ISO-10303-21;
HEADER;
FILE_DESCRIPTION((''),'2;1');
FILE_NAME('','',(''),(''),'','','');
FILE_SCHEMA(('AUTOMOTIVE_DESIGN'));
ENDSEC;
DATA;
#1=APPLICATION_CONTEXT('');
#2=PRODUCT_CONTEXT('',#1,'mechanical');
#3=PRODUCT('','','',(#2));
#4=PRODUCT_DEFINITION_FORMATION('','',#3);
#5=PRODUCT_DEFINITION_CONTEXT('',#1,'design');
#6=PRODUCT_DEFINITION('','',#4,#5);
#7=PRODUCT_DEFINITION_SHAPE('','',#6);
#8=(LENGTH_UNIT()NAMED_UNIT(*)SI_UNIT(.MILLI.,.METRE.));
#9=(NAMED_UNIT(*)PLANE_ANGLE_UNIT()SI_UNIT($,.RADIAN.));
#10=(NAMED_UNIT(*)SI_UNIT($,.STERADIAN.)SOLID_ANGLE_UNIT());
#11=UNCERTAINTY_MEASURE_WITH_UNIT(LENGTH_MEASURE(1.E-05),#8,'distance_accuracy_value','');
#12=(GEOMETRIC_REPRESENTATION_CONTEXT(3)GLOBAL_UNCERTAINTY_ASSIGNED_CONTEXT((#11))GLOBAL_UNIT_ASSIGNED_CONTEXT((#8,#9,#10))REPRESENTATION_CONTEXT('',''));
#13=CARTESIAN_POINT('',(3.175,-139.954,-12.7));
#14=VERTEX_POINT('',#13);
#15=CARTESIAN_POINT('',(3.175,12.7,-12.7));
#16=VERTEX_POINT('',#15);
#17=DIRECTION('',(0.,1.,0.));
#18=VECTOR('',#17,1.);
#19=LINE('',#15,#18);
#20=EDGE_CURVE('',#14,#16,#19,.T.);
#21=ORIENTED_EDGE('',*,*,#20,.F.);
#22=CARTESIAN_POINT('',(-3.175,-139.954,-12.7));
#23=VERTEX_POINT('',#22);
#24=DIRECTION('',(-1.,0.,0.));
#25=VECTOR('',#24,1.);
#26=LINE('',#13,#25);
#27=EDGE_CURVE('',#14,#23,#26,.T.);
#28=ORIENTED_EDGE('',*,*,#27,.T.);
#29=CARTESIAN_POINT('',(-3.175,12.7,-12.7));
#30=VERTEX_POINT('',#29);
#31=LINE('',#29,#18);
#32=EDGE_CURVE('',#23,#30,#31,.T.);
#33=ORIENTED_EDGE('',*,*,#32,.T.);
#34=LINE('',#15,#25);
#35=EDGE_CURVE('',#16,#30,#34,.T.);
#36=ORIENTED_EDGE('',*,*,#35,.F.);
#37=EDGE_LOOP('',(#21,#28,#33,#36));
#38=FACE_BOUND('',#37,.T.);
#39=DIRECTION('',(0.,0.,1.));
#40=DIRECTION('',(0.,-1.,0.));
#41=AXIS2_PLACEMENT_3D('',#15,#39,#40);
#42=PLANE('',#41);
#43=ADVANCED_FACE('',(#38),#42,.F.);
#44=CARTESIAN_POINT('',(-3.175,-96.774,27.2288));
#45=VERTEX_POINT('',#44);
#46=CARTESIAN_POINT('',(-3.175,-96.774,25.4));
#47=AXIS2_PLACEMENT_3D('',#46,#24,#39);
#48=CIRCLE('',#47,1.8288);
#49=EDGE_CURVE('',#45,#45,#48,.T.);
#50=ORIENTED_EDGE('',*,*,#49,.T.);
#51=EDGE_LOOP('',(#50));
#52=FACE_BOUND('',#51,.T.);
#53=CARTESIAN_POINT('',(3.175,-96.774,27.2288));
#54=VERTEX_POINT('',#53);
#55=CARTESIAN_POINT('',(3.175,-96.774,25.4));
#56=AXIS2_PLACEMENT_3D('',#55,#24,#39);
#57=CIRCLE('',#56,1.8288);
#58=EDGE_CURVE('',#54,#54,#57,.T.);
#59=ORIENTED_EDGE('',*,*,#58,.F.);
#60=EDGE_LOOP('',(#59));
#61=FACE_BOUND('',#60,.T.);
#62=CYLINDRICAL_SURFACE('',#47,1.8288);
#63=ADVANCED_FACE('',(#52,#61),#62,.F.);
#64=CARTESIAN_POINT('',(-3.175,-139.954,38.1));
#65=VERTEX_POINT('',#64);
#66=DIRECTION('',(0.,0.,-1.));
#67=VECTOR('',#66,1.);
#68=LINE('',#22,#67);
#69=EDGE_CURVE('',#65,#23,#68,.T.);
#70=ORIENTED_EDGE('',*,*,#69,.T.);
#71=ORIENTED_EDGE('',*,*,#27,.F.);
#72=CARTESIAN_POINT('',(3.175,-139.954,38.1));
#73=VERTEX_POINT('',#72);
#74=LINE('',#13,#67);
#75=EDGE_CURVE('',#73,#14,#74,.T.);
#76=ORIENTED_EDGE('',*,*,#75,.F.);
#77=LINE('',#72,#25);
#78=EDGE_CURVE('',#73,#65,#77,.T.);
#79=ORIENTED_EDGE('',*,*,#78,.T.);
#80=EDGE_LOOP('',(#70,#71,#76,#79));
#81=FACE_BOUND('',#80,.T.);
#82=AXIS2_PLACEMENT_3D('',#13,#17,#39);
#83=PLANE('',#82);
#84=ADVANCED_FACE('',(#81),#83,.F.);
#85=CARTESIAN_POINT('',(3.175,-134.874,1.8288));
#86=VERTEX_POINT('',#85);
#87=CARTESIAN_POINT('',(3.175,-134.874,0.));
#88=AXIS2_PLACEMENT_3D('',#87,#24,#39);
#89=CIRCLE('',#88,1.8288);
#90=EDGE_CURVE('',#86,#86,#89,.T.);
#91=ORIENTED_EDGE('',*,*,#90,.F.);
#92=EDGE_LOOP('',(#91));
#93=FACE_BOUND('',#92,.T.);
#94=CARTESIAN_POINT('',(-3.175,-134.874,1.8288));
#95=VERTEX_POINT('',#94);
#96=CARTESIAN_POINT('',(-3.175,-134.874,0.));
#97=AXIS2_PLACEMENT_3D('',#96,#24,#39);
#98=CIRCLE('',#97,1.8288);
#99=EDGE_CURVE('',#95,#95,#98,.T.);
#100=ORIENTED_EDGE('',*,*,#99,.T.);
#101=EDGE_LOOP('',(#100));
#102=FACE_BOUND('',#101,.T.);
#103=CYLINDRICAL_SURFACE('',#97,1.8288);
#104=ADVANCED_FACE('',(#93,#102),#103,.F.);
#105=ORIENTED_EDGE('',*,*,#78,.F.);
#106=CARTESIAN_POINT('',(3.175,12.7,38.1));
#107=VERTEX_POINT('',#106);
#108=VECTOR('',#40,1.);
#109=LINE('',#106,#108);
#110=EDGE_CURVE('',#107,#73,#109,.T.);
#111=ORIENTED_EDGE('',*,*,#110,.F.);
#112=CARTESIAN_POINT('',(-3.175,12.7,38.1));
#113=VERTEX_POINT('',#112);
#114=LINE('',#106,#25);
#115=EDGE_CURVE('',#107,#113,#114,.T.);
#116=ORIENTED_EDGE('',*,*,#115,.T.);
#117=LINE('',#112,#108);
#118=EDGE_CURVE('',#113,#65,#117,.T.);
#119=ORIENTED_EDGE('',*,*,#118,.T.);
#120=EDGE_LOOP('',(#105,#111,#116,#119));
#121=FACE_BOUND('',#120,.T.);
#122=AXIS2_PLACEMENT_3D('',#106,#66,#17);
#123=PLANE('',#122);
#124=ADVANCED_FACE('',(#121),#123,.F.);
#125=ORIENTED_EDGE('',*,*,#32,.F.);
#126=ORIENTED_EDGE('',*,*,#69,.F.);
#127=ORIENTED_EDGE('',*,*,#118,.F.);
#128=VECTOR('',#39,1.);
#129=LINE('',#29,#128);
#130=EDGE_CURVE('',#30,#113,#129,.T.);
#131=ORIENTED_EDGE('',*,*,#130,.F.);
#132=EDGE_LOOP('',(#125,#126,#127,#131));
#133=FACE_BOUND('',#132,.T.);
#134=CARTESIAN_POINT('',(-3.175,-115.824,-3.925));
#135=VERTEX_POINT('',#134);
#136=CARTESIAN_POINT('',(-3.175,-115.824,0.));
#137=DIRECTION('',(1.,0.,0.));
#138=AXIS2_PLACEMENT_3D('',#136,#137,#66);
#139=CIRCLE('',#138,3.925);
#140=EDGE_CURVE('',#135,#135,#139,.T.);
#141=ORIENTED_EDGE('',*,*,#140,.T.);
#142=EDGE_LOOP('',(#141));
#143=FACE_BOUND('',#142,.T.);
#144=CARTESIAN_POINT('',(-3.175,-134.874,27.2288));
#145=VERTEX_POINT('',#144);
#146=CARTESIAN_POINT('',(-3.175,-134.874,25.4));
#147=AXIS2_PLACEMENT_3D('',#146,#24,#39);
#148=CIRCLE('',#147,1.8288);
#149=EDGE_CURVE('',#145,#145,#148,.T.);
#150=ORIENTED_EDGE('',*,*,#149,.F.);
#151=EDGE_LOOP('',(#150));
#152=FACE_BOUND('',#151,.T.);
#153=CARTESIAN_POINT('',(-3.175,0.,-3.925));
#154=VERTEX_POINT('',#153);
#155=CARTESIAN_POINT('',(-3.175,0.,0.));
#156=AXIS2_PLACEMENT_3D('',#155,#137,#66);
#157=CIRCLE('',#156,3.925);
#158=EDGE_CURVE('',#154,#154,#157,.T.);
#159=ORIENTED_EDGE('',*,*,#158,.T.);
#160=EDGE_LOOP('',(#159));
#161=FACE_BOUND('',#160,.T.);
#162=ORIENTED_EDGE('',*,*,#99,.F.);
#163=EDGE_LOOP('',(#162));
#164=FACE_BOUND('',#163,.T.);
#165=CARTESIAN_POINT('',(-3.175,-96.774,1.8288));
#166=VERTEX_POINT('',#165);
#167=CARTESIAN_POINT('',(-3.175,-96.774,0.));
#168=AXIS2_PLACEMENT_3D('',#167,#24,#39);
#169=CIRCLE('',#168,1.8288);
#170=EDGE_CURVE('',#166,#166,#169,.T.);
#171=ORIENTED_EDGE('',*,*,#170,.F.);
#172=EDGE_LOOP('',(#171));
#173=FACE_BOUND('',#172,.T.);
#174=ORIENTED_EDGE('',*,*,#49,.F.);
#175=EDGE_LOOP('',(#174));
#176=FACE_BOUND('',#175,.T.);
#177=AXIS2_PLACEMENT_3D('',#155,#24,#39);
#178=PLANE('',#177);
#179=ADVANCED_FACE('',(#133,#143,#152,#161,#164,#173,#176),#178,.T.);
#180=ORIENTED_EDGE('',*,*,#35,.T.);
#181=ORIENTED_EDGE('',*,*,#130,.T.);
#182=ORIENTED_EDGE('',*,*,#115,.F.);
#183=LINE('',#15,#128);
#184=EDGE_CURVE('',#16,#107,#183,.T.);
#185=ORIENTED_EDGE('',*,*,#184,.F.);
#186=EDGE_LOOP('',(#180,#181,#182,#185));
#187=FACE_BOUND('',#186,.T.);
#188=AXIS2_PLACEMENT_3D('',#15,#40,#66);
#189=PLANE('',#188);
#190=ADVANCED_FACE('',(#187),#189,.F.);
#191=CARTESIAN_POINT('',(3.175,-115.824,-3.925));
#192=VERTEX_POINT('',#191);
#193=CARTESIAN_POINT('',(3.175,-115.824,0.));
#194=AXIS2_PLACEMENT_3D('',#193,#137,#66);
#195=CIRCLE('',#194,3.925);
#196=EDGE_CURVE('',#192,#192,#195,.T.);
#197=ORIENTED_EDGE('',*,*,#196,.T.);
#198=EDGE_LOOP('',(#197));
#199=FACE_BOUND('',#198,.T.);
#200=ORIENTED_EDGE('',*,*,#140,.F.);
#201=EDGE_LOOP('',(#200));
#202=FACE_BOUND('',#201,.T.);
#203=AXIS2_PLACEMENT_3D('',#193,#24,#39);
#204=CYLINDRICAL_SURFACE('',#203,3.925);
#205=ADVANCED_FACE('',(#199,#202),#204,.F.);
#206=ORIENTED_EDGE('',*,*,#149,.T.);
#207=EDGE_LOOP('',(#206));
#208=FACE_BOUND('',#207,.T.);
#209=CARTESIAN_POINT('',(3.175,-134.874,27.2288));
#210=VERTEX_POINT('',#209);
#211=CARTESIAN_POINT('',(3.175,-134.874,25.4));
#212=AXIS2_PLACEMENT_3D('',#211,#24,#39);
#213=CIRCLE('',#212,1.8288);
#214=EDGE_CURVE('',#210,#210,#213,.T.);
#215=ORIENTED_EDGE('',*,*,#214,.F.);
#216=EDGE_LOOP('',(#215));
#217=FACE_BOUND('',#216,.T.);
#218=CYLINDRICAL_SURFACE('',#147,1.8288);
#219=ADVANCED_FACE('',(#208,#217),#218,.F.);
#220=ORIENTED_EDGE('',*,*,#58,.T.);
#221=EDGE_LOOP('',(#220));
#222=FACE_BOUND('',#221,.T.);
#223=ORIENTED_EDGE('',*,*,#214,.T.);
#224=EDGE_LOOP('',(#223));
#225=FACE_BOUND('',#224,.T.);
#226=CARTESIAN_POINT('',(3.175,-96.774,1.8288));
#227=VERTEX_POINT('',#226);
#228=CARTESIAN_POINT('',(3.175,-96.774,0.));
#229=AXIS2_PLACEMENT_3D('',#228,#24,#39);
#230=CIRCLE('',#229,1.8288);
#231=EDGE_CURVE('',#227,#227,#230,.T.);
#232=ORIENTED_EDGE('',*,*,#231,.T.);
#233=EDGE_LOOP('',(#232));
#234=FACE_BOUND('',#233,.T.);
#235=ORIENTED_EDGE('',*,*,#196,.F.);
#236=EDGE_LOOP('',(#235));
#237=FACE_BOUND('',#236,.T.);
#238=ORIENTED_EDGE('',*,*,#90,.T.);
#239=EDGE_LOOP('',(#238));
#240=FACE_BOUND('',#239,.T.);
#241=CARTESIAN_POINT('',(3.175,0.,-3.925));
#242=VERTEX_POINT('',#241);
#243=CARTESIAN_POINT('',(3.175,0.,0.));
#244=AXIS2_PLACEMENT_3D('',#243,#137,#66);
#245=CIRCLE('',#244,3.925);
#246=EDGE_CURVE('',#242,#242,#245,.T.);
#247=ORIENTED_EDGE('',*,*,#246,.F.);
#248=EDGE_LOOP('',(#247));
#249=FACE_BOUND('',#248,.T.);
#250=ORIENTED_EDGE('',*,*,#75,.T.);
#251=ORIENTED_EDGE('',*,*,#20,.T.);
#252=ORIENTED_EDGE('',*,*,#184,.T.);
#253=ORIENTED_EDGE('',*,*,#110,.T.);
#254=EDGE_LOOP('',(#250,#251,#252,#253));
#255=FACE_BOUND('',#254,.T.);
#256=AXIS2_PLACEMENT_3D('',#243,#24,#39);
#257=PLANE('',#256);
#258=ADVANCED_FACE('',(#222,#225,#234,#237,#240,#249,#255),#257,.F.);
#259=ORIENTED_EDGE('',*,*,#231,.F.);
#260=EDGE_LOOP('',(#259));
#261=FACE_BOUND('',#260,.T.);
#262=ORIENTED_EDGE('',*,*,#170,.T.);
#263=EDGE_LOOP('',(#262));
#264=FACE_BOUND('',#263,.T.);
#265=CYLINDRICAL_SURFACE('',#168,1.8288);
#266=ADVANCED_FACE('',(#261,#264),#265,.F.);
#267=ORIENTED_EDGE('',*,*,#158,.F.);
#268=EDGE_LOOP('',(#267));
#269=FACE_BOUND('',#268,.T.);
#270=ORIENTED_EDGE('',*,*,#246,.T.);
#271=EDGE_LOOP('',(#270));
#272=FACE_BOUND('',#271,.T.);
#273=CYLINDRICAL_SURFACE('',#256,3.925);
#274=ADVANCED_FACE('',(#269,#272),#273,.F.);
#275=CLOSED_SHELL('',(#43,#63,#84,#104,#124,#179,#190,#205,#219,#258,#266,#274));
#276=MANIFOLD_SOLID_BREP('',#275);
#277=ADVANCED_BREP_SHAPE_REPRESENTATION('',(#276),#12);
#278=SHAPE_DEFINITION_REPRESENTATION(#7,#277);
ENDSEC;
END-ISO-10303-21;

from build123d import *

# Parameters (mm, degrees)
SKETCH1_W             = 50.8
SKETCH1_H             = 152.654
SKETCH1_R             = 3.925
BOSS_EXTRUDE1_DEPTH   = 3.175
F_6_CLEARANCE_HOLE1_D = 3.6576


with BuildPart() as part:
    # Sketch1 → Boss-Extrude1 (new, symmetric)
    with BuildSketch(Plane(origin=(0, 0, 0), x_dir=(0, 0, -1), z_dir=(1, 0, 0))):
        with Locations((-12.7, -63.627)):
            Rectangle(SKETCH1_W, SKETCH1_H)
        Circle(SKETCH1_R, mode=Mode.SUBTRACT)
        with Locations((0, -115.824)):
            Circle(SKETCH1_R, mode=Mode.SUBTRACT)
    extrude(amount=BOSS_EXTRUDE1_DEPTH, both=True)

    # #6 Clearance Hole1 (through all)
    with Locations(Plane.ZY.offset(3.175)):
        with Locations((0, -96.774), (25.4, -96.774), (25.4, -134.874), (0, -134.874)):
            Hole(F_6_CLEARANCE_HOLE1_D / 2)


solid = part.part
